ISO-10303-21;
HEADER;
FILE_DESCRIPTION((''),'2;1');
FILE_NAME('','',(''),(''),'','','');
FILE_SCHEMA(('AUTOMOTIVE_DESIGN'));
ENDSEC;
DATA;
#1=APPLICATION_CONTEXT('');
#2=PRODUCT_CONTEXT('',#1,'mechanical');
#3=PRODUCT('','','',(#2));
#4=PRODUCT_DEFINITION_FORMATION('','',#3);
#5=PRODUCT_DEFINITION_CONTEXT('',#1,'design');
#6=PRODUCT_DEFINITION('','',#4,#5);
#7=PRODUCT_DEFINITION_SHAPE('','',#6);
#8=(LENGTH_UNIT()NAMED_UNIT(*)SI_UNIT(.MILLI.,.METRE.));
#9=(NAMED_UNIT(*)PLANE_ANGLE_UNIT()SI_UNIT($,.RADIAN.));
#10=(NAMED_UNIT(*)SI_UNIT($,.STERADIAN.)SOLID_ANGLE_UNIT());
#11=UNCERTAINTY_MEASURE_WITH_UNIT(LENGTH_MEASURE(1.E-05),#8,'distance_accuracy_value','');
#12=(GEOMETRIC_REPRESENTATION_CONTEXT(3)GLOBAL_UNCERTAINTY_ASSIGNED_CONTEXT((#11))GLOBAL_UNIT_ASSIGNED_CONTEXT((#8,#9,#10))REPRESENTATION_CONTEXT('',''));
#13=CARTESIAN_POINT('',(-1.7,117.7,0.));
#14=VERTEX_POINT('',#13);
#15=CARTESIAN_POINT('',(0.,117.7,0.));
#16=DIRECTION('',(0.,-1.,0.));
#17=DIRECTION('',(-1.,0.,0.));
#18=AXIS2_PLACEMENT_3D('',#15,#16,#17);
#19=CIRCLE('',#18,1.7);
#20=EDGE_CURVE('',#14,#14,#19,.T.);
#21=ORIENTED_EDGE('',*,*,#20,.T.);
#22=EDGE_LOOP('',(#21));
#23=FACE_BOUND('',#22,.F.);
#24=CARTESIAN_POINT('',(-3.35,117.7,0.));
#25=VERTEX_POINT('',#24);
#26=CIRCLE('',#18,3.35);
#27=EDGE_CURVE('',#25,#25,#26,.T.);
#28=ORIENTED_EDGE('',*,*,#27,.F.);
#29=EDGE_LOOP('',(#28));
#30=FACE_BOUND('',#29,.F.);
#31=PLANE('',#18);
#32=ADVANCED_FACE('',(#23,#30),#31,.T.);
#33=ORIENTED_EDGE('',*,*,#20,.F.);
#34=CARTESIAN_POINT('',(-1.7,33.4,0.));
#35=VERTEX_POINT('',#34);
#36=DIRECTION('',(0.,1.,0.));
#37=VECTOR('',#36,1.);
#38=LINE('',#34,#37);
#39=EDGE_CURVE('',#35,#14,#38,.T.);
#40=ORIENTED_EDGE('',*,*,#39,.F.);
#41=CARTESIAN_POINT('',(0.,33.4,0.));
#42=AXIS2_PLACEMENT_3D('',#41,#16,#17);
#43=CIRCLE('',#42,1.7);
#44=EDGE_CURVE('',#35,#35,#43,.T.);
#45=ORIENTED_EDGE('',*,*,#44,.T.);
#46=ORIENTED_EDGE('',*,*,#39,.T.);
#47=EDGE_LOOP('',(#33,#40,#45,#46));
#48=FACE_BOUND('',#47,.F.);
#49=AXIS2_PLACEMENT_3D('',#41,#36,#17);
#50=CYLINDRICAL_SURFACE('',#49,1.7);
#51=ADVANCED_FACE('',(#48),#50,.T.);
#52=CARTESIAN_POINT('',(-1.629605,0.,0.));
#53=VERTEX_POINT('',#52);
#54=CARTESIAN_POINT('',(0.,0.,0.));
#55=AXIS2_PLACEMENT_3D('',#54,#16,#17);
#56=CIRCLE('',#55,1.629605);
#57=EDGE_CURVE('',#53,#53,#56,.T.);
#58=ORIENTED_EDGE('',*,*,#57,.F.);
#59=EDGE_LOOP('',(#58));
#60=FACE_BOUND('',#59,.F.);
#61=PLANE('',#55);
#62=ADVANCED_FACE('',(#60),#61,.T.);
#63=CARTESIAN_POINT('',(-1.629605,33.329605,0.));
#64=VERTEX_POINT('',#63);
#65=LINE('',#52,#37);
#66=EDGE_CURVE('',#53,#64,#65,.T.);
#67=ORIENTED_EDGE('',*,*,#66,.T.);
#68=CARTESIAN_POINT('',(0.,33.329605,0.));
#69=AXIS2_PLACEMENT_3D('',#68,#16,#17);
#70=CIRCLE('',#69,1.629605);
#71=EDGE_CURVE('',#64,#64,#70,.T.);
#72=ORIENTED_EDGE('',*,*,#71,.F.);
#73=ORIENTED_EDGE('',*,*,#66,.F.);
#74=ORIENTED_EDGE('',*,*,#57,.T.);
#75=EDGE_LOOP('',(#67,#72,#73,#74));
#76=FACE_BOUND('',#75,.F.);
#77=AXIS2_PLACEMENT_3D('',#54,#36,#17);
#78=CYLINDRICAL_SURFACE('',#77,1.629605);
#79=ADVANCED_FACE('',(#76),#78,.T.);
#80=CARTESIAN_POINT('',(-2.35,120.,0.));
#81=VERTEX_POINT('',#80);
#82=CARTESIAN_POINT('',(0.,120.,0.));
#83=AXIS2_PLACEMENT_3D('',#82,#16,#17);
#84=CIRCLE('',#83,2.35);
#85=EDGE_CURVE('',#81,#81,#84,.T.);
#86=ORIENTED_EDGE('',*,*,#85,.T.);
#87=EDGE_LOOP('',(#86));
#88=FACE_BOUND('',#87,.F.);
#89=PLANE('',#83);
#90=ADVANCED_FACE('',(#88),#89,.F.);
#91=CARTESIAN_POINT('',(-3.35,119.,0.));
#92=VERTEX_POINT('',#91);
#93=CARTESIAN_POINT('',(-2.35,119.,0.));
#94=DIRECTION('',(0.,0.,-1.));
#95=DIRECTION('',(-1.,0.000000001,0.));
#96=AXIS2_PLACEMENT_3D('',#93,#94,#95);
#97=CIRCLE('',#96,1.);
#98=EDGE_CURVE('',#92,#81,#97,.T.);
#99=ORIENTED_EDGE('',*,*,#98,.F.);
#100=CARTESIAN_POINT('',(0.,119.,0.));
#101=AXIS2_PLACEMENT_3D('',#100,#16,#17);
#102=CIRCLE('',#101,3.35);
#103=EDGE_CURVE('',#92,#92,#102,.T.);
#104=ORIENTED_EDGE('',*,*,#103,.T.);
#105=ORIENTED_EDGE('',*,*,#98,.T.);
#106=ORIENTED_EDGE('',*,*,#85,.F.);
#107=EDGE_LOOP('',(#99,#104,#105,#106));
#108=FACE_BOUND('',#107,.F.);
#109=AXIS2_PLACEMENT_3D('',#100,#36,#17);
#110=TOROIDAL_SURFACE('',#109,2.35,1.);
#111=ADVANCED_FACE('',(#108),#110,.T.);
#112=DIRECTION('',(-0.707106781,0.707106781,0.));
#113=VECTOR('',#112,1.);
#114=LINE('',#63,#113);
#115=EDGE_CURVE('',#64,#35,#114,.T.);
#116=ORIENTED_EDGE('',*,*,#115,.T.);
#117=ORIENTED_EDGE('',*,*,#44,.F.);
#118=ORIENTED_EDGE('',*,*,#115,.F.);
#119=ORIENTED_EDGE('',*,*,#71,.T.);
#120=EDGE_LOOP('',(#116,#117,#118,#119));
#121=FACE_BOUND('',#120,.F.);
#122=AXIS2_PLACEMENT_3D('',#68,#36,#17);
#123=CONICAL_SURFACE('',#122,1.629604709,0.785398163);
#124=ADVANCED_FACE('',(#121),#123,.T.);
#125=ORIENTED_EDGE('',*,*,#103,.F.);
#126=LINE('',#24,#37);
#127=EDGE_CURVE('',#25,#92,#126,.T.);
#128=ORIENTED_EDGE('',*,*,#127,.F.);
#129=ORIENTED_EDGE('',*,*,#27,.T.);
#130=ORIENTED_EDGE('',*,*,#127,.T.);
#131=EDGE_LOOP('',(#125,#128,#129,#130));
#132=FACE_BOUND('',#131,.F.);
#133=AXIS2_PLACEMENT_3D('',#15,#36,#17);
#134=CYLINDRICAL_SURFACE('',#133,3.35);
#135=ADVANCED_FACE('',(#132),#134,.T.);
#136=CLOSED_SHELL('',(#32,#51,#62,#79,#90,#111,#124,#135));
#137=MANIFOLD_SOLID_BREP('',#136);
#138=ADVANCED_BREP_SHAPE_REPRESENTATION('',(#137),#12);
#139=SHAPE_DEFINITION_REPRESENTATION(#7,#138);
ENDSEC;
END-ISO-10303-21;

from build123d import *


with BuildPart() as part:
    # Croquis1 → Revolución1 (revolve)
    with BuildSketch(Plane.XY):
        with BuildLine():
            Line((0, 120), (0, 0))
            Line((0, 0), (-1.629604709, 0))
            Line((-1.629604709, 0), (-1.629604709, 33.329604709))
            Line((-1.629604709, 33.329604709), (-1.7, 33.4))
            Line((-1.7, 33.4), (-1.7, 117.7))
            Line((-1.7, 117.7), (-3.35, 117.7))
            Line((-3.35, 117.7), (-3.35, 119))
            ThreePointArc((-3.35, 119), (-3.057106781, 119.707106781), (-2.35, 120))
            Line((-2.35, 120), (0, 120))
        make_face()
    revolve(axis=Axis((0, 120, 0), (0, -1, 0)))


solid = part.part
